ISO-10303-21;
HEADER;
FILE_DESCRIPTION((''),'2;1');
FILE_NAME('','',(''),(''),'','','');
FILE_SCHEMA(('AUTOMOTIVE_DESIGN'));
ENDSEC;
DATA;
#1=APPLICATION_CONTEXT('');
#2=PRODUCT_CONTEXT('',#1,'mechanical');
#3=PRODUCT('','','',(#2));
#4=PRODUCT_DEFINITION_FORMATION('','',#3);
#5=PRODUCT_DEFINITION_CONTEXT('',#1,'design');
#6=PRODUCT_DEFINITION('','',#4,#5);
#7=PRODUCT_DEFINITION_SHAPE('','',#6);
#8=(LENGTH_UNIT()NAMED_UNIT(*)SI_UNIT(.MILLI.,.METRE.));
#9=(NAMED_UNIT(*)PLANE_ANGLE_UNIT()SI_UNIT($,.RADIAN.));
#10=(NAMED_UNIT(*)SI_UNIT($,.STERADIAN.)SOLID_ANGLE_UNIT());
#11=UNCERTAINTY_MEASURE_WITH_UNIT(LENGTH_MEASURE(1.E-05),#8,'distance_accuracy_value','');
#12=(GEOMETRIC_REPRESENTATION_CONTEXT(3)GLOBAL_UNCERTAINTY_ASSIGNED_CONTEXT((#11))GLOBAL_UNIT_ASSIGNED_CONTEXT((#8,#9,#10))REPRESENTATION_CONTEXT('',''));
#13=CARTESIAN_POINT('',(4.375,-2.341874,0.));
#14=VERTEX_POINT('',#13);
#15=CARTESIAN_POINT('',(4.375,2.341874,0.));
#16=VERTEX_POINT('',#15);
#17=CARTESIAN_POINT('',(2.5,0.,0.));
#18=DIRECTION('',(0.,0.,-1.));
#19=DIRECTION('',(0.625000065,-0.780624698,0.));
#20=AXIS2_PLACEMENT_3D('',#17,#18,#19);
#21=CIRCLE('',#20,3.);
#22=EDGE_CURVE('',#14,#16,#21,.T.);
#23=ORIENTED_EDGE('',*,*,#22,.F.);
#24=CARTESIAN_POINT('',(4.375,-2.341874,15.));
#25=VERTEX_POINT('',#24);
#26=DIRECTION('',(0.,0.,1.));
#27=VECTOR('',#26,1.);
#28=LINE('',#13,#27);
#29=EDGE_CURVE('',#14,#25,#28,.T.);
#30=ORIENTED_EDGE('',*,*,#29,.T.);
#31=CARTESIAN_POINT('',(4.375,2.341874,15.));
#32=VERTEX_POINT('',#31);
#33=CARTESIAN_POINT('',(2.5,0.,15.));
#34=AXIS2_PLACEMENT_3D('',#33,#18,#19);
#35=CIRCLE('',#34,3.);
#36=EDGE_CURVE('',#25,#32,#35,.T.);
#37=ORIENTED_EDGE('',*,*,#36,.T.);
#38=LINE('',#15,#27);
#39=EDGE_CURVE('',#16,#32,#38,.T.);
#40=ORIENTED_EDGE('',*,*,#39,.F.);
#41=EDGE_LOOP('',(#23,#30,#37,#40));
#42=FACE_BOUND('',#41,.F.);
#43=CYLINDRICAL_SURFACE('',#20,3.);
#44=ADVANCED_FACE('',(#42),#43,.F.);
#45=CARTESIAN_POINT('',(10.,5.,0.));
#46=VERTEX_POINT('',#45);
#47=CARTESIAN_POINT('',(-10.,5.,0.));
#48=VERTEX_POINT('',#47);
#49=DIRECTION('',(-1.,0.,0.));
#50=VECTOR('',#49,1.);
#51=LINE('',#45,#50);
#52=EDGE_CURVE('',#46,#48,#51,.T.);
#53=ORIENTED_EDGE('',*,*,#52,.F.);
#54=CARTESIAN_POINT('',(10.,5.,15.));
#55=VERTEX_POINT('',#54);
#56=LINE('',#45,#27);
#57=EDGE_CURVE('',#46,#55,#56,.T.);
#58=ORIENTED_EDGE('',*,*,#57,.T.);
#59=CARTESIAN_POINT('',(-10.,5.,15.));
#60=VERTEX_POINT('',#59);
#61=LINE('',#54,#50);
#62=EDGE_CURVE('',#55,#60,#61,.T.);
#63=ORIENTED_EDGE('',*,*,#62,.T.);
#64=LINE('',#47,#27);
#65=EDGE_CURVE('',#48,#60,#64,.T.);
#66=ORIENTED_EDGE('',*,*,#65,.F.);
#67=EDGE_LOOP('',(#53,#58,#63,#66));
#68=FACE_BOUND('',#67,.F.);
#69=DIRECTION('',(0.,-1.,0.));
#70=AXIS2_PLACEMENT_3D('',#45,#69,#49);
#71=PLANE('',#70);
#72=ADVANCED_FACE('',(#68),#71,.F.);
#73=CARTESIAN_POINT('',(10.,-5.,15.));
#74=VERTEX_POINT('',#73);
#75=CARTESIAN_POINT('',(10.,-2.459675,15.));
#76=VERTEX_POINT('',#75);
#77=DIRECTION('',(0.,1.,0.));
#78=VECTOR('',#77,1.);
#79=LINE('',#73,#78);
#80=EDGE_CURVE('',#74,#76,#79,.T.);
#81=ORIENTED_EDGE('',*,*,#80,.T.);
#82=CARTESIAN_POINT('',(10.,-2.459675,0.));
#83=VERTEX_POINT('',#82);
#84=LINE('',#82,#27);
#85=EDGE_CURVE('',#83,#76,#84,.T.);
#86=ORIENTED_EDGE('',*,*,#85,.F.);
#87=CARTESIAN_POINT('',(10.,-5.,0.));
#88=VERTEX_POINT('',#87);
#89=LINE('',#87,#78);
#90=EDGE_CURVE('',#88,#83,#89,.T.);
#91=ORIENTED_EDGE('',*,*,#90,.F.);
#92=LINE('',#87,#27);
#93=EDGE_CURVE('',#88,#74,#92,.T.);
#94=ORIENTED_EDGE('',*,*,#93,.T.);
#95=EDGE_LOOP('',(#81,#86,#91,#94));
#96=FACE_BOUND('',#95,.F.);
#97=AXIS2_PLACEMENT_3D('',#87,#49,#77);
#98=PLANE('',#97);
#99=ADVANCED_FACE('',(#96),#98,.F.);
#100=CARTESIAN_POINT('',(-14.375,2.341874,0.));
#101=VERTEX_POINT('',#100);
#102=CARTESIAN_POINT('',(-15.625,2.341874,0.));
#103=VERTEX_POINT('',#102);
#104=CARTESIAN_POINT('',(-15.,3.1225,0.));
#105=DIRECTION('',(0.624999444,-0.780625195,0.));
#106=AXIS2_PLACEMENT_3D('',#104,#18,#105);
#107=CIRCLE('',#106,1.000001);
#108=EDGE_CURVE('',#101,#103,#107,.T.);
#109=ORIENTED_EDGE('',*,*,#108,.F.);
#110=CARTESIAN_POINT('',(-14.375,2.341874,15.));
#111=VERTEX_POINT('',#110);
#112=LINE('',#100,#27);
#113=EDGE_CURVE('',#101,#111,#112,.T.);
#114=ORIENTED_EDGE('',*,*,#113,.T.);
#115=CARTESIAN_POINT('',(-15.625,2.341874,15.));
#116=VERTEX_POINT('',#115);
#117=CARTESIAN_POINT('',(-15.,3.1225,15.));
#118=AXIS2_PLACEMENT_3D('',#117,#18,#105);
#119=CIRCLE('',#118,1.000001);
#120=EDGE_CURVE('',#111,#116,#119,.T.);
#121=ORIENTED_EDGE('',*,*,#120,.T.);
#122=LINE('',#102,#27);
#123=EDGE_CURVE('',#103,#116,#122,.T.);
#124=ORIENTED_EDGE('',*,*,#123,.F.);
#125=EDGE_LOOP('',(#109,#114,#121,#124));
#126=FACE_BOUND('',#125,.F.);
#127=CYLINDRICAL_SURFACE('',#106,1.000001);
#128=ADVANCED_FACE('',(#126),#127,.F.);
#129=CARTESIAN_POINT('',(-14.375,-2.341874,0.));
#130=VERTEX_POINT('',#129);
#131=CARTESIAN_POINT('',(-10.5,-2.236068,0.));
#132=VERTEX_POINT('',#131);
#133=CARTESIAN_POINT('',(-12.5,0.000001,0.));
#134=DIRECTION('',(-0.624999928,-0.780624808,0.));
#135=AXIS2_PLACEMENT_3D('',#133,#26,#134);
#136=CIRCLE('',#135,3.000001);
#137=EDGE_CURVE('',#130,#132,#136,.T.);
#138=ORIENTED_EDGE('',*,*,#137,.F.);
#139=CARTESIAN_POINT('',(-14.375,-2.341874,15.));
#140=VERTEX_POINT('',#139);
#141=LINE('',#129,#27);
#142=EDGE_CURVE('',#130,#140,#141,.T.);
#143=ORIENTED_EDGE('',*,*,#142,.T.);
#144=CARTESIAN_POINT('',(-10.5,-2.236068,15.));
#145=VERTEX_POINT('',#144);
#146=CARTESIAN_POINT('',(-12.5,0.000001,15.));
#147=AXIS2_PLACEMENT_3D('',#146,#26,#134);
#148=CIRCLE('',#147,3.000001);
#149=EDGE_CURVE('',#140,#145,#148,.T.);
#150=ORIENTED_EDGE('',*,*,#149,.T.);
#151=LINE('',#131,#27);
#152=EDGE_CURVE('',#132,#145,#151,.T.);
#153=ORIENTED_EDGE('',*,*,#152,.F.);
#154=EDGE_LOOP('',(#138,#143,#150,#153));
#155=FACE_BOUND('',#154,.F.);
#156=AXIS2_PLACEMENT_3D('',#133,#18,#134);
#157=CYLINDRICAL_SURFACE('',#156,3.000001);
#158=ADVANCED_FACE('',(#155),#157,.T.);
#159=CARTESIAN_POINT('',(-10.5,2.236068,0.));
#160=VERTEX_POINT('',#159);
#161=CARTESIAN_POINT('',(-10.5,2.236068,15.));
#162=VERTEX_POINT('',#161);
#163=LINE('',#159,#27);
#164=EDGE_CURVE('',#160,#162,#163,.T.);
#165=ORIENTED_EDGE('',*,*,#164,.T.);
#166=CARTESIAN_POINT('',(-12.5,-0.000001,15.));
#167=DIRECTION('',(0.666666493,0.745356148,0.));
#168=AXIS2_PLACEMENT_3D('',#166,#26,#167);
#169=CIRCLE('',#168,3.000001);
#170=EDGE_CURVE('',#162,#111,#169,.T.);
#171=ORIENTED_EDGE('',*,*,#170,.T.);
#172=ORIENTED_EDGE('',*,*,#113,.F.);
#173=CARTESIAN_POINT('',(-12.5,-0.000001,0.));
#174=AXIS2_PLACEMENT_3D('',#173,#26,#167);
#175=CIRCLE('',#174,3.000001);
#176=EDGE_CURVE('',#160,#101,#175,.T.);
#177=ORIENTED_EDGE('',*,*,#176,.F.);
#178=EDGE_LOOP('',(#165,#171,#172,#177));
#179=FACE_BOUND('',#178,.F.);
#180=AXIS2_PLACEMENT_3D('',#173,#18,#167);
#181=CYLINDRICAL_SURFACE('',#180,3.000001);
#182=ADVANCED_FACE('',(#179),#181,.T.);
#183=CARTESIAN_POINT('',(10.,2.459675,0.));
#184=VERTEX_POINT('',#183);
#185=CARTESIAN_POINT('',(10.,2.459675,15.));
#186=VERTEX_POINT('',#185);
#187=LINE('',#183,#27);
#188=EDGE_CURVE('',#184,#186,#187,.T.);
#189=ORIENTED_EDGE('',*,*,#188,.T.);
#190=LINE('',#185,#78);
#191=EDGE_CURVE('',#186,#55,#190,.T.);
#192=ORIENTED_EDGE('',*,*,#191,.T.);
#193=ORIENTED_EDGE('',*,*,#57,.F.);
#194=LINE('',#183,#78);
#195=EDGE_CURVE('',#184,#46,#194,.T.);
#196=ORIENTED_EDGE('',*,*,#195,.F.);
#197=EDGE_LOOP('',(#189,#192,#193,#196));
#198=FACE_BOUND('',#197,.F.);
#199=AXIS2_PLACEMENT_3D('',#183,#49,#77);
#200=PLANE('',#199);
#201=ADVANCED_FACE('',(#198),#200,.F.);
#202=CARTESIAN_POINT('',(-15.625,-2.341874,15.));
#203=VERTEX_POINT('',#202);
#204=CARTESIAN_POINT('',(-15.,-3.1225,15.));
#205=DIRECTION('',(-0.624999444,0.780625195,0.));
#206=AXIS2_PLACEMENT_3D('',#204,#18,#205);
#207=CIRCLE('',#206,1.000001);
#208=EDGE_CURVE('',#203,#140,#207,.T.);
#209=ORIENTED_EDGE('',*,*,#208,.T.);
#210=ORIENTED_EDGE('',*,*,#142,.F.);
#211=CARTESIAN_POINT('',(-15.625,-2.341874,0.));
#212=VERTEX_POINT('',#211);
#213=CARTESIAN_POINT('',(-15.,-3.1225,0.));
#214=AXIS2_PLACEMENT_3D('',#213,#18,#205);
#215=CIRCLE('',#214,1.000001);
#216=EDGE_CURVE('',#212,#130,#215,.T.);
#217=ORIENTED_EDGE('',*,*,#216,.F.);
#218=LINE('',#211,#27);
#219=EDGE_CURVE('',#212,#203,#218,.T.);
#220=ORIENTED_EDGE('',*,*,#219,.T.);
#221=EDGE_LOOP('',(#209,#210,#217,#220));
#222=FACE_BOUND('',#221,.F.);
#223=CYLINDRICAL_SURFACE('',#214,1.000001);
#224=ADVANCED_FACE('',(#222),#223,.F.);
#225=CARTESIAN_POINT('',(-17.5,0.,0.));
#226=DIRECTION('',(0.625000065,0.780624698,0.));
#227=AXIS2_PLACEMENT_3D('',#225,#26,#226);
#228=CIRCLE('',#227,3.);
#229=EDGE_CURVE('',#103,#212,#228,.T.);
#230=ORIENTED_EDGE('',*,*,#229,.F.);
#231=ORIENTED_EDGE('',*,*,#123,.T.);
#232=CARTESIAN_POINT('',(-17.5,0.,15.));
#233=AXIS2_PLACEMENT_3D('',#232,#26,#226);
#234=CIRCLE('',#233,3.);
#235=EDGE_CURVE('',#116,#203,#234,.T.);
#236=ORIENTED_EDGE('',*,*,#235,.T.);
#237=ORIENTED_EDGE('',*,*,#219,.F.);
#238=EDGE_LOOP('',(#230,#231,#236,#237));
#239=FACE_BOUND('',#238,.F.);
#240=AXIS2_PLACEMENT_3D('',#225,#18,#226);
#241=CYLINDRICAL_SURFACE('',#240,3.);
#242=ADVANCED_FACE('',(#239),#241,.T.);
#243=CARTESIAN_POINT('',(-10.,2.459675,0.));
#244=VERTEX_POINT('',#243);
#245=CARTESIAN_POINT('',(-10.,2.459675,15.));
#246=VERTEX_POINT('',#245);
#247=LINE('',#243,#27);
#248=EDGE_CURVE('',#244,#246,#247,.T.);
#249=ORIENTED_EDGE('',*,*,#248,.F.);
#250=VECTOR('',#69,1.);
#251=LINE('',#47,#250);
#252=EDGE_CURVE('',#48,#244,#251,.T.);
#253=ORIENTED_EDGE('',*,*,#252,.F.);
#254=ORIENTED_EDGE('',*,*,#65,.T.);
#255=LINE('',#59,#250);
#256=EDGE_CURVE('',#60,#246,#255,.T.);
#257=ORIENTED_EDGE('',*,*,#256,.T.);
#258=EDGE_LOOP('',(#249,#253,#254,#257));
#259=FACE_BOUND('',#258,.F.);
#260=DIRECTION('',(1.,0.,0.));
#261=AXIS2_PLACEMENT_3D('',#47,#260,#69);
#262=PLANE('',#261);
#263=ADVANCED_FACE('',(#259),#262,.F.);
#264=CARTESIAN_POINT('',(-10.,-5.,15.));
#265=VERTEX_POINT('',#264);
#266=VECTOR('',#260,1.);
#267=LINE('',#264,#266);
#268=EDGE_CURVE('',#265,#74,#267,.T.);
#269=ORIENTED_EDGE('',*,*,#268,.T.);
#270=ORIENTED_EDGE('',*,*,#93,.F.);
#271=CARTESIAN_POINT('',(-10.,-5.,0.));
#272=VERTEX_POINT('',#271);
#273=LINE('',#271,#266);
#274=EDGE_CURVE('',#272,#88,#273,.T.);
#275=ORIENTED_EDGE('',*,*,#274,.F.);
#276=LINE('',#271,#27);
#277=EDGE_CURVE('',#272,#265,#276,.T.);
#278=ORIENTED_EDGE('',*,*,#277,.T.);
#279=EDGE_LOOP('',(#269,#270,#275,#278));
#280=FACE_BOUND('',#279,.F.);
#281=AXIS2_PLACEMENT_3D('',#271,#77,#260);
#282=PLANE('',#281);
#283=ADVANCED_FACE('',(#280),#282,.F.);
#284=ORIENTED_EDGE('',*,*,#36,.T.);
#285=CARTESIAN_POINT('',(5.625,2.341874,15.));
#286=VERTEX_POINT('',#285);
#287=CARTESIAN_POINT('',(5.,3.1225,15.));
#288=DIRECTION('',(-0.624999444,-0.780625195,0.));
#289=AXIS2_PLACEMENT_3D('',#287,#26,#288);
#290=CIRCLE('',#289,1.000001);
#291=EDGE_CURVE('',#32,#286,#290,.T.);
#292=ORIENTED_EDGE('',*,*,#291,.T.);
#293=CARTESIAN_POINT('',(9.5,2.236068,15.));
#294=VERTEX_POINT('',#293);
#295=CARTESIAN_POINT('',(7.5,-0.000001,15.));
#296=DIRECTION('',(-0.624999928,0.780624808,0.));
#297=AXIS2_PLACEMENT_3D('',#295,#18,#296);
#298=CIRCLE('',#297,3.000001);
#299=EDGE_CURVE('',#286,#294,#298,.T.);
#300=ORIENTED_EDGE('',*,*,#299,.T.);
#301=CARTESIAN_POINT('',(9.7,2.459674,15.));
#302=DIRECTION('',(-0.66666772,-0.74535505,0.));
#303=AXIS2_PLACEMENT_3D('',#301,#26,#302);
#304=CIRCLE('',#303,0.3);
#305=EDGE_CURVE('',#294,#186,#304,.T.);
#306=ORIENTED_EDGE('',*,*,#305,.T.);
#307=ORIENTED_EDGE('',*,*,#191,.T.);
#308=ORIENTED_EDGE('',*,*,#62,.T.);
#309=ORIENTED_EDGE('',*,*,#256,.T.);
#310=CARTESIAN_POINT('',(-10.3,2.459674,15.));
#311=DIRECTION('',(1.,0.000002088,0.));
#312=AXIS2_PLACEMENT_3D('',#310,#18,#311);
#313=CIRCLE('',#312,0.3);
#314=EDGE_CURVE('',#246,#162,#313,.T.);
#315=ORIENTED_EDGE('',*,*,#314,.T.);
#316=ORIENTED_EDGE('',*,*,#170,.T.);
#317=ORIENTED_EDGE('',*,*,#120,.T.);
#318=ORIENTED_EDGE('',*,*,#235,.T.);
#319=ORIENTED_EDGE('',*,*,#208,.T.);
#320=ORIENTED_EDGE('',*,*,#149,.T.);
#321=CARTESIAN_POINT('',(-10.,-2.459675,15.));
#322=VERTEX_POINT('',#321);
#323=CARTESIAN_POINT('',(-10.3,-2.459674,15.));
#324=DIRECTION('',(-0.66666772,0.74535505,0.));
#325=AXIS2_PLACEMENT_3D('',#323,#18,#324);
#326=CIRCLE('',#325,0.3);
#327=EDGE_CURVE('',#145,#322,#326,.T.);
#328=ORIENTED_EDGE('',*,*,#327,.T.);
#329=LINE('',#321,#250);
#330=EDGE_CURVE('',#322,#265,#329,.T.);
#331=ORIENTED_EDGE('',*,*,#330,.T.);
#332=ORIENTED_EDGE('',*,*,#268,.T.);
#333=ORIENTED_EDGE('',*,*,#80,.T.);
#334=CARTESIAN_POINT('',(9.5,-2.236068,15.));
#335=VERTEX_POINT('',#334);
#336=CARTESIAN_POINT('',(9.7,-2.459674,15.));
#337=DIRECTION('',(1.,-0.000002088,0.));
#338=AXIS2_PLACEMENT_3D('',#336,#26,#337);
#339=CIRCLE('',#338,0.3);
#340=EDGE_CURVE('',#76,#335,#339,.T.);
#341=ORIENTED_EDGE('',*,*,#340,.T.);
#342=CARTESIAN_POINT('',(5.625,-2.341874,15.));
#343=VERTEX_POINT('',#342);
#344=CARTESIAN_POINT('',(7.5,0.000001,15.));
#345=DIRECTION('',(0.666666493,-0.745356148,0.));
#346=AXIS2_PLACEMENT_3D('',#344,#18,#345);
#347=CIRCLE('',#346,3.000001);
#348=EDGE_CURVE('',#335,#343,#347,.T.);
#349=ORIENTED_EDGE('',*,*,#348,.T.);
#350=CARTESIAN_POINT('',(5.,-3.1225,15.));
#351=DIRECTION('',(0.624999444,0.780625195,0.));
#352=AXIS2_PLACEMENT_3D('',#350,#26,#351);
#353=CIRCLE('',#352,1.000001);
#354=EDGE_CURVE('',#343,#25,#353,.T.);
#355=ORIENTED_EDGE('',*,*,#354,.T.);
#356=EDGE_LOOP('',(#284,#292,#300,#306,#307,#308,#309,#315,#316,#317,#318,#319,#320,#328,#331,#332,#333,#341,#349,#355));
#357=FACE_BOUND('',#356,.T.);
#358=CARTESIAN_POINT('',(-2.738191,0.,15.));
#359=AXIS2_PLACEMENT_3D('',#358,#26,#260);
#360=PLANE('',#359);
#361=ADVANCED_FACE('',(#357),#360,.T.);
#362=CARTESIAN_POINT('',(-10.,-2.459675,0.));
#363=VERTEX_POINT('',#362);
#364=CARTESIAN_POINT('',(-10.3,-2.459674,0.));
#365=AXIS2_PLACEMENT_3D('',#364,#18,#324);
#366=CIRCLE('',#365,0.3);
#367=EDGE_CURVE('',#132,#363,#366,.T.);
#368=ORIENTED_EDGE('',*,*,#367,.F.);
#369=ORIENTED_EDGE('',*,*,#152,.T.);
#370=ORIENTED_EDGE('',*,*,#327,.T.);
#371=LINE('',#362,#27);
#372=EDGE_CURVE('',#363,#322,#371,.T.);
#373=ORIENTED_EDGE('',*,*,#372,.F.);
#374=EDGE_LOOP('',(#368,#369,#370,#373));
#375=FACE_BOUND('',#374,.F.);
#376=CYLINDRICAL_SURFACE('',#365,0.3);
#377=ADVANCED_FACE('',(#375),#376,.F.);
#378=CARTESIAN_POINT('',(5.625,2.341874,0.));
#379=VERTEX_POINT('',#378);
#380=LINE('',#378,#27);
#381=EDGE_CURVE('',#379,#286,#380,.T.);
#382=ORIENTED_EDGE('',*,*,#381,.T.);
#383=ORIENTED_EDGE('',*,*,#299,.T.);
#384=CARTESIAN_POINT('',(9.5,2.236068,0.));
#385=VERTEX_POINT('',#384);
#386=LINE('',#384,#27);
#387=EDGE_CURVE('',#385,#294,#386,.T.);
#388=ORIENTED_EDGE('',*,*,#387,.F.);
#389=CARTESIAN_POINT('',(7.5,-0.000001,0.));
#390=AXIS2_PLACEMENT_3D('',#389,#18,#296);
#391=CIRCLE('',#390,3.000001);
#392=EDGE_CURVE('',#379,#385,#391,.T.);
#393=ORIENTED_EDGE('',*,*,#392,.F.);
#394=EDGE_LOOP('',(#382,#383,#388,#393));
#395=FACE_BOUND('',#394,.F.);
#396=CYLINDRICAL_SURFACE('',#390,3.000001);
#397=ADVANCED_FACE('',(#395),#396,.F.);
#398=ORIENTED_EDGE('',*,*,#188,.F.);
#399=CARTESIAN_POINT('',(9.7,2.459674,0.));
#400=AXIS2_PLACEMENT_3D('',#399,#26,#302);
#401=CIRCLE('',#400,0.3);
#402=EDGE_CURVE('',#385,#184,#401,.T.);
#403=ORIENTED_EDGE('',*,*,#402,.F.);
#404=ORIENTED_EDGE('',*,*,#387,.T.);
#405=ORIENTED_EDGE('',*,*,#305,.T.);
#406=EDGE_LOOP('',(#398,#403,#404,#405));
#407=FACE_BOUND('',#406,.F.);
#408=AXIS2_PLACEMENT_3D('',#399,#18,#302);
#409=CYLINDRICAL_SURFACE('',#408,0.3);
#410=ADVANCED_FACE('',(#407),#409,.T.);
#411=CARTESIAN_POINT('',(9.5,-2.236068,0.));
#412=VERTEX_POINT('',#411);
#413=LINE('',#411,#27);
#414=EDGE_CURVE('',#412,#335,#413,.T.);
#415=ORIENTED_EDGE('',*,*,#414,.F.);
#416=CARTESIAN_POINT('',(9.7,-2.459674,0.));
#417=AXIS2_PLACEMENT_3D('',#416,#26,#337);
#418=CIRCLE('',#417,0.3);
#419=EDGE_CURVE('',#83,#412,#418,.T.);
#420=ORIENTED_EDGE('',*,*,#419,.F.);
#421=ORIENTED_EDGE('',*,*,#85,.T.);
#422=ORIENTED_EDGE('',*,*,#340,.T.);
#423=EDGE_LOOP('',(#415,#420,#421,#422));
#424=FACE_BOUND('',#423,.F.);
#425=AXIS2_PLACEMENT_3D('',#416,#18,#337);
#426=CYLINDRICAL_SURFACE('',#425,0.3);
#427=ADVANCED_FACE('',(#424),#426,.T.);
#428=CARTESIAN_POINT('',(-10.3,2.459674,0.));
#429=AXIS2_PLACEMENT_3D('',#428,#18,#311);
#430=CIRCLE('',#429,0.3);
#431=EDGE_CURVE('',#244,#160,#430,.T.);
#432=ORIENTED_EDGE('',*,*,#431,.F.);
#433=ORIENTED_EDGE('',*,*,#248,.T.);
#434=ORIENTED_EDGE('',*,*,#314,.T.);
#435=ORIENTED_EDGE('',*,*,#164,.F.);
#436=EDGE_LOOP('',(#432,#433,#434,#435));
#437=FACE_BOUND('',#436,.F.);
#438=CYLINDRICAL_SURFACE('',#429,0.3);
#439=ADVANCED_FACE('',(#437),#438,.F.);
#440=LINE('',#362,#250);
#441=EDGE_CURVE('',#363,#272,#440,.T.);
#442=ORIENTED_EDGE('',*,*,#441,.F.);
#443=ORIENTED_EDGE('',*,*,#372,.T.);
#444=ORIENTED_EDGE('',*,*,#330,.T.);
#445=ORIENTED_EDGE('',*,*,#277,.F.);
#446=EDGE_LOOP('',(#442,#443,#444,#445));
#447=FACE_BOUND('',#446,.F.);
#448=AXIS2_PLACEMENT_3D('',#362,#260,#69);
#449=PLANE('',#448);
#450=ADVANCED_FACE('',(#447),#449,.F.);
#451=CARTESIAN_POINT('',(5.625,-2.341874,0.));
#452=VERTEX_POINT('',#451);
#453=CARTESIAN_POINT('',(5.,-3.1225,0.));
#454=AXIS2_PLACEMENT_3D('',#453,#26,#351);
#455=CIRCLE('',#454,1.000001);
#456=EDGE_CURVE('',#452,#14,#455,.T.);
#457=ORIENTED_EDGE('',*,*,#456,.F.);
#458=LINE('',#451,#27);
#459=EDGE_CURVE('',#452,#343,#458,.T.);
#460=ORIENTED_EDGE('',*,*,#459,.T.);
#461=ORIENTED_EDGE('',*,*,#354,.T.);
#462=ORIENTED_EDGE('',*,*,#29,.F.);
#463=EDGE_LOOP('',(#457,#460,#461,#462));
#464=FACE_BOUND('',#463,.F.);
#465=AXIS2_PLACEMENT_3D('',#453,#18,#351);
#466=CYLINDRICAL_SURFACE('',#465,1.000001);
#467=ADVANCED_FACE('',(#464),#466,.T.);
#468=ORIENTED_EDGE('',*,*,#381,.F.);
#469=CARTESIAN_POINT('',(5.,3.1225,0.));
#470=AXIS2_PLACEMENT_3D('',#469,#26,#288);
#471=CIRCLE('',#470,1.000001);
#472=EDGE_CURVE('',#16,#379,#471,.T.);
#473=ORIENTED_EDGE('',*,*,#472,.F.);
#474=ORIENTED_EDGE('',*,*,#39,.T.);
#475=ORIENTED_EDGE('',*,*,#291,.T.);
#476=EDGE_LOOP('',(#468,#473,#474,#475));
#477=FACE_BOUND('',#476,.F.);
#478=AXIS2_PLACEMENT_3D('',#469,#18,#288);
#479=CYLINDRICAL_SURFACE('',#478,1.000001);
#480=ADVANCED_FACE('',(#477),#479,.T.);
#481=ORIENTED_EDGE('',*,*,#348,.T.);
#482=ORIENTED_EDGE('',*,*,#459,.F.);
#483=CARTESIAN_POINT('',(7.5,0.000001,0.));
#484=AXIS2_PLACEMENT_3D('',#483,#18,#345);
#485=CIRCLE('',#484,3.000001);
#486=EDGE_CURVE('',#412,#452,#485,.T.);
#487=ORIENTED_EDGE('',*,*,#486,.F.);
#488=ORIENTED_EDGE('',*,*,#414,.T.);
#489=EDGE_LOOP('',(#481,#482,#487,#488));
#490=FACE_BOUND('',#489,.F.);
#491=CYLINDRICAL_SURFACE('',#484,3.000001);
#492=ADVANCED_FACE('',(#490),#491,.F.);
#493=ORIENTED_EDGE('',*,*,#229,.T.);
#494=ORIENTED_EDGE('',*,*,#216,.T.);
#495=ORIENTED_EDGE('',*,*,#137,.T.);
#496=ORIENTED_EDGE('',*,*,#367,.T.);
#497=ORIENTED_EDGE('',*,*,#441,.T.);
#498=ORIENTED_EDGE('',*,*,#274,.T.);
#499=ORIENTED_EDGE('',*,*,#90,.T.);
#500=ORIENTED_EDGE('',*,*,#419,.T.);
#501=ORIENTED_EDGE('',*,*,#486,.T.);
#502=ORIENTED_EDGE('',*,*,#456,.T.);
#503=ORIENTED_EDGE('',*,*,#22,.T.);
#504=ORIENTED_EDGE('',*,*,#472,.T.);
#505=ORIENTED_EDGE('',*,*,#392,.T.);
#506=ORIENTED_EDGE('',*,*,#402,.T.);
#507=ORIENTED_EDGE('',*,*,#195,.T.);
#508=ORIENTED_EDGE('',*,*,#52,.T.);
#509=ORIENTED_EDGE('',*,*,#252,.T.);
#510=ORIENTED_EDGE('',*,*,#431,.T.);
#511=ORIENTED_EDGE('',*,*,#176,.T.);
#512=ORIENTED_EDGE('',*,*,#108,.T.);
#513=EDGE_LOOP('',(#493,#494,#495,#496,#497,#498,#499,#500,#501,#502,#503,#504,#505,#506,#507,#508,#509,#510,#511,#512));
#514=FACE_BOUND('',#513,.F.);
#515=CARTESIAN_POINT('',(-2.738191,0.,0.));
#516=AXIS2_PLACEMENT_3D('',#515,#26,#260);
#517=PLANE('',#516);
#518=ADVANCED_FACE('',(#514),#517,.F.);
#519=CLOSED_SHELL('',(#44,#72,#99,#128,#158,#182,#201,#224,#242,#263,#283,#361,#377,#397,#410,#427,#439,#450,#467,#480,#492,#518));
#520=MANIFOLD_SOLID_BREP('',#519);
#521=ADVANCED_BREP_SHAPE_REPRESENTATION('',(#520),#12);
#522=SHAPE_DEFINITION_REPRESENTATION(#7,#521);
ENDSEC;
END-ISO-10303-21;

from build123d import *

# Parameters (mm, degrees)
F1_DEPTH = 15


with BuildPart() as f1:
    # F0 (on Top) → F1 (new body)
    with BuildSketch(Plane.XY):
        with BuildLine():
            Line((-10, -5), (10, -5))
            Line((10, -5), (10, -2.459675))
            ThreePointArc((10, -2.459675), (9.822474, -2.185813), (9.5, -2.236068))
            ThreePointArc((9.5, -2.236068), (7.581884, -2.998882), (5.625, -2.341874))
            ThreePointArc((5.625, -2.341874), (5, -2.122499), (4.375, -2.341874))
            ThreePointArc((4.375, -2.341874), (-0.5, 0), (4.375, 2.341874))
            ThreePointArc((4.375, 2.341874), (5, 2.122499), (5.625, 2.341874))
            ThreePointArc((5.625, 2.341874), (7.581884, 2.998882), (9.5, 2.236068))
            ThreePointArc((9.5, 2.236068), (9.822474, 2.185813), (10, 2.459675))
            Line((10, 2.459675), (10, 5))
            Line((10, 5), (-10, 5))
            Line((-10, 5), (-10, 2.459675))
            ThreePointArc((-10, 2.459675), (-10.177526, 2.185813), (-10.5, 2.236068))
            ThreePointArc((-10.5, 2.236068), (-12.418116, 2.998882), (-14.375, 2.341874))
            ThreePointArc((-14.375, 2.341874), (-15, 2.122499), (-15.625, 2.341874))
            ThreePointArc((-15.625, 2.341874), (-20.5, 0), (-15.625, -2.341874))
            ThreePointArc((-15.625, -2.341874), (-15, -2.122499), (-14.375, -2.341874))
            ThreePointArc((-14.375, -2.341874), (-12.418116, -2.998882), (-10.5, -2.236068))
            ThreePointArc((-10.5, -2.236068), (-10.177526, -2.185813), (-10, -2.459675))
            Line((-10, -2.459675), (-10, -5))
        make_face()
    extrude(amount=F1_DEPTH)


solid = f1.part
